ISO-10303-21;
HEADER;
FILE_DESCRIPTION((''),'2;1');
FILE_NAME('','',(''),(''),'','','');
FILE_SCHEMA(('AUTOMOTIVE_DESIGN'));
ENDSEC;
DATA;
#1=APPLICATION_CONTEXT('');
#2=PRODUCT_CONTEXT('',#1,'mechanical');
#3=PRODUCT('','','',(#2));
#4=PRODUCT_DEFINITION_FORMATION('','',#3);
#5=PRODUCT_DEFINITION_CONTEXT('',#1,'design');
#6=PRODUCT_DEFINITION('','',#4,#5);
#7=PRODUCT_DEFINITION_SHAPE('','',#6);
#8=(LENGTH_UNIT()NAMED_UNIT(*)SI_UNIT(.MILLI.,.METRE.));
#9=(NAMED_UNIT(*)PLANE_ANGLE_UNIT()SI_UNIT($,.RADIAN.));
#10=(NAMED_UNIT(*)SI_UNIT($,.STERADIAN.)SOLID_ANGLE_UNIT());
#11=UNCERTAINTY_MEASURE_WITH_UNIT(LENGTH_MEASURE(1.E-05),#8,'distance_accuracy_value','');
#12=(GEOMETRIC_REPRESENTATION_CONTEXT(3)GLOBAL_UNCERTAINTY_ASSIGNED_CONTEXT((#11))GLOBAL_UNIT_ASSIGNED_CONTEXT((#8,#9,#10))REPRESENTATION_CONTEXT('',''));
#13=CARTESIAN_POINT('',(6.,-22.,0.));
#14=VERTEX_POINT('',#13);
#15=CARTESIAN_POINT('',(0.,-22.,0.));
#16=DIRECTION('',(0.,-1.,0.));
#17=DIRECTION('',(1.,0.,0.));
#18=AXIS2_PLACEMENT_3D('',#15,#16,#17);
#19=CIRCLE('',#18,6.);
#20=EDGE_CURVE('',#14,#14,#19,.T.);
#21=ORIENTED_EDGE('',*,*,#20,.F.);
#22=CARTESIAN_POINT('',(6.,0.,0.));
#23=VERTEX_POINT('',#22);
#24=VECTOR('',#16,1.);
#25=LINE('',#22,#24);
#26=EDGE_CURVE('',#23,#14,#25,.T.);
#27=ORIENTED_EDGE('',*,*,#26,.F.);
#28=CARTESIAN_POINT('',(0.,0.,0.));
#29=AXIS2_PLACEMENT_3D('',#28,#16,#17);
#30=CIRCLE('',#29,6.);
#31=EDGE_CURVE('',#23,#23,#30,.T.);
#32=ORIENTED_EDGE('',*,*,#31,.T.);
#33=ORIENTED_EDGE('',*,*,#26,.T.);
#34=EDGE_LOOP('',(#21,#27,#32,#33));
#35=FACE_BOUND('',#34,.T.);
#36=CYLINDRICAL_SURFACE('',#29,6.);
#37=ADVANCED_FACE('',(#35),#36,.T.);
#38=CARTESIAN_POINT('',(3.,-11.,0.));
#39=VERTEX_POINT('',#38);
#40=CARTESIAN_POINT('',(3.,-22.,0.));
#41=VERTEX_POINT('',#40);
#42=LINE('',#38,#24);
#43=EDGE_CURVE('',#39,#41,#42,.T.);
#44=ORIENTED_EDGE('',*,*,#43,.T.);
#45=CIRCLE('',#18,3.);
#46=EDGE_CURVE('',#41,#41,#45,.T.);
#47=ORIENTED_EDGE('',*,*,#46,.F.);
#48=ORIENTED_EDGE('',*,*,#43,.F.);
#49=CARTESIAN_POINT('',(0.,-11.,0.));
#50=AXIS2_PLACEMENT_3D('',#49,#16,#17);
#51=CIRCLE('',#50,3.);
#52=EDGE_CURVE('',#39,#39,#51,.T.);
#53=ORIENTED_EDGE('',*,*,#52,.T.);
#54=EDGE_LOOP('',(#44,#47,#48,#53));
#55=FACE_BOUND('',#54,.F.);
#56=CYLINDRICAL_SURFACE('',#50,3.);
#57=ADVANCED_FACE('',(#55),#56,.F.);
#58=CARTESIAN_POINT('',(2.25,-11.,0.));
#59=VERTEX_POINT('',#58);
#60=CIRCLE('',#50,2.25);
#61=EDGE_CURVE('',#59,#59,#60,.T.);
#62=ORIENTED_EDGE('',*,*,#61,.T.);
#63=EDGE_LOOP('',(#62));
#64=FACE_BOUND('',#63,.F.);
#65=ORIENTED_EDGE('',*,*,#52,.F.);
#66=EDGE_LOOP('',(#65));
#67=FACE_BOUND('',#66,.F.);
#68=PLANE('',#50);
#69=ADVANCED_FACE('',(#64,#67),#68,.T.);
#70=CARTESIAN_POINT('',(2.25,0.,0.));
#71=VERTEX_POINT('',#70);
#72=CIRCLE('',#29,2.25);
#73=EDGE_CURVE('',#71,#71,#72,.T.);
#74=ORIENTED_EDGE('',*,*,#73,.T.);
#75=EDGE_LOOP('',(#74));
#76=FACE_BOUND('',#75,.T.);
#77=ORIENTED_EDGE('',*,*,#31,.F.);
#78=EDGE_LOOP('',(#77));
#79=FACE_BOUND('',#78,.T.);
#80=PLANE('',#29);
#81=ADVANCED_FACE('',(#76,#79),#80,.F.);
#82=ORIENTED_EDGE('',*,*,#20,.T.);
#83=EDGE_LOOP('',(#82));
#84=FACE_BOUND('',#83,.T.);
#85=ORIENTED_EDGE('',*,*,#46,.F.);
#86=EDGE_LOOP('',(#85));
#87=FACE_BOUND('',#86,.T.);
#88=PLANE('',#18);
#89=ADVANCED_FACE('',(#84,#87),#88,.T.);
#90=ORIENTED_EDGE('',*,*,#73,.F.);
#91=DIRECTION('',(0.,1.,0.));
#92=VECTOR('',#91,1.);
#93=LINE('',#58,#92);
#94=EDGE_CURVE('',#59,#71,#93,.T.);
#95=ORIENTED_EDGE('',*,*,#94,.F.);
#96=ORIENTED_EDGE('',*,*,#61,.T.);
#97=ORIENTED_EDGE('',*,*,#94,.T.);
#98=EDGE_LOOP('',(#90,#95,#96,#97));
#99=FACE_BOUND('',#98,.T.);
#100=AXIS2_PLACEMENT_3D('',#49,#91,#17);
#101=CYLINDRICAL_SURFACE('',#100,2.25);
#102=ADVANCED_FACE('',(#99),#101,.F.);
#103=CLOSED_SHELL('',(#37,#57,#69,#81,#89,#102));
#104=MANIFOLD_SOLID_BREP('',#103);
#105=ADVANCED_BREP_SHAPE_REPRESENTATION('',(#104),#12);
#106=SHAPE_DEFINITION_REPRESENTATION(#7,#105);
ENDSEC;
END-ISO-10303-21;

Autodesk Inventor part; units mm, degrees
ref_plane "YZ Plane" through (0, 0, 0) normal (1, 0, 0) x (0, 1, 0)
ref_plane "XZ Plane" through (0, 0, 0) normal (0, 1, 0) x (-1, 0, 0)
ref_plane "XY Plane" through (0, 0, 0) normal (0, 0, 1) x (1, 0, 0)
sketch "Skizze1" plane through (0, 0, 0) normal (0, 0, 1) x (1, 0, 0)
  line L0 (0, 4.4) -> (0, -26.4) projected
  line L1 (-1.2, 0) -> (7.2, 0) projected
  line L2 (2.25, 0) -> (6, 0)
  line L3 (6, 0) -> (6, -22)
  line L4 (6, -22) -> (3, -22)
  line L5 (2.25, -11) -> (2.25, 0)
  line L6 (2.25, -11) -> (3, -11)
  line L7 (3, -11) -> (3, -22)
  point P0 (0, 0)
  dimension "d0" = 22
  dimension "d1" = 6
  dimension "d2" = 3
  dimension "d3" = 11
  dimension "d4" = 2.25
revolve "Umdrehung1" add sketch "Skizze1" angle 360 about axis through (0, 0, 0) along (0, -1, 0)
equation "\"d3\" = 0.5 * d0"
properties part number "Kupplung"
